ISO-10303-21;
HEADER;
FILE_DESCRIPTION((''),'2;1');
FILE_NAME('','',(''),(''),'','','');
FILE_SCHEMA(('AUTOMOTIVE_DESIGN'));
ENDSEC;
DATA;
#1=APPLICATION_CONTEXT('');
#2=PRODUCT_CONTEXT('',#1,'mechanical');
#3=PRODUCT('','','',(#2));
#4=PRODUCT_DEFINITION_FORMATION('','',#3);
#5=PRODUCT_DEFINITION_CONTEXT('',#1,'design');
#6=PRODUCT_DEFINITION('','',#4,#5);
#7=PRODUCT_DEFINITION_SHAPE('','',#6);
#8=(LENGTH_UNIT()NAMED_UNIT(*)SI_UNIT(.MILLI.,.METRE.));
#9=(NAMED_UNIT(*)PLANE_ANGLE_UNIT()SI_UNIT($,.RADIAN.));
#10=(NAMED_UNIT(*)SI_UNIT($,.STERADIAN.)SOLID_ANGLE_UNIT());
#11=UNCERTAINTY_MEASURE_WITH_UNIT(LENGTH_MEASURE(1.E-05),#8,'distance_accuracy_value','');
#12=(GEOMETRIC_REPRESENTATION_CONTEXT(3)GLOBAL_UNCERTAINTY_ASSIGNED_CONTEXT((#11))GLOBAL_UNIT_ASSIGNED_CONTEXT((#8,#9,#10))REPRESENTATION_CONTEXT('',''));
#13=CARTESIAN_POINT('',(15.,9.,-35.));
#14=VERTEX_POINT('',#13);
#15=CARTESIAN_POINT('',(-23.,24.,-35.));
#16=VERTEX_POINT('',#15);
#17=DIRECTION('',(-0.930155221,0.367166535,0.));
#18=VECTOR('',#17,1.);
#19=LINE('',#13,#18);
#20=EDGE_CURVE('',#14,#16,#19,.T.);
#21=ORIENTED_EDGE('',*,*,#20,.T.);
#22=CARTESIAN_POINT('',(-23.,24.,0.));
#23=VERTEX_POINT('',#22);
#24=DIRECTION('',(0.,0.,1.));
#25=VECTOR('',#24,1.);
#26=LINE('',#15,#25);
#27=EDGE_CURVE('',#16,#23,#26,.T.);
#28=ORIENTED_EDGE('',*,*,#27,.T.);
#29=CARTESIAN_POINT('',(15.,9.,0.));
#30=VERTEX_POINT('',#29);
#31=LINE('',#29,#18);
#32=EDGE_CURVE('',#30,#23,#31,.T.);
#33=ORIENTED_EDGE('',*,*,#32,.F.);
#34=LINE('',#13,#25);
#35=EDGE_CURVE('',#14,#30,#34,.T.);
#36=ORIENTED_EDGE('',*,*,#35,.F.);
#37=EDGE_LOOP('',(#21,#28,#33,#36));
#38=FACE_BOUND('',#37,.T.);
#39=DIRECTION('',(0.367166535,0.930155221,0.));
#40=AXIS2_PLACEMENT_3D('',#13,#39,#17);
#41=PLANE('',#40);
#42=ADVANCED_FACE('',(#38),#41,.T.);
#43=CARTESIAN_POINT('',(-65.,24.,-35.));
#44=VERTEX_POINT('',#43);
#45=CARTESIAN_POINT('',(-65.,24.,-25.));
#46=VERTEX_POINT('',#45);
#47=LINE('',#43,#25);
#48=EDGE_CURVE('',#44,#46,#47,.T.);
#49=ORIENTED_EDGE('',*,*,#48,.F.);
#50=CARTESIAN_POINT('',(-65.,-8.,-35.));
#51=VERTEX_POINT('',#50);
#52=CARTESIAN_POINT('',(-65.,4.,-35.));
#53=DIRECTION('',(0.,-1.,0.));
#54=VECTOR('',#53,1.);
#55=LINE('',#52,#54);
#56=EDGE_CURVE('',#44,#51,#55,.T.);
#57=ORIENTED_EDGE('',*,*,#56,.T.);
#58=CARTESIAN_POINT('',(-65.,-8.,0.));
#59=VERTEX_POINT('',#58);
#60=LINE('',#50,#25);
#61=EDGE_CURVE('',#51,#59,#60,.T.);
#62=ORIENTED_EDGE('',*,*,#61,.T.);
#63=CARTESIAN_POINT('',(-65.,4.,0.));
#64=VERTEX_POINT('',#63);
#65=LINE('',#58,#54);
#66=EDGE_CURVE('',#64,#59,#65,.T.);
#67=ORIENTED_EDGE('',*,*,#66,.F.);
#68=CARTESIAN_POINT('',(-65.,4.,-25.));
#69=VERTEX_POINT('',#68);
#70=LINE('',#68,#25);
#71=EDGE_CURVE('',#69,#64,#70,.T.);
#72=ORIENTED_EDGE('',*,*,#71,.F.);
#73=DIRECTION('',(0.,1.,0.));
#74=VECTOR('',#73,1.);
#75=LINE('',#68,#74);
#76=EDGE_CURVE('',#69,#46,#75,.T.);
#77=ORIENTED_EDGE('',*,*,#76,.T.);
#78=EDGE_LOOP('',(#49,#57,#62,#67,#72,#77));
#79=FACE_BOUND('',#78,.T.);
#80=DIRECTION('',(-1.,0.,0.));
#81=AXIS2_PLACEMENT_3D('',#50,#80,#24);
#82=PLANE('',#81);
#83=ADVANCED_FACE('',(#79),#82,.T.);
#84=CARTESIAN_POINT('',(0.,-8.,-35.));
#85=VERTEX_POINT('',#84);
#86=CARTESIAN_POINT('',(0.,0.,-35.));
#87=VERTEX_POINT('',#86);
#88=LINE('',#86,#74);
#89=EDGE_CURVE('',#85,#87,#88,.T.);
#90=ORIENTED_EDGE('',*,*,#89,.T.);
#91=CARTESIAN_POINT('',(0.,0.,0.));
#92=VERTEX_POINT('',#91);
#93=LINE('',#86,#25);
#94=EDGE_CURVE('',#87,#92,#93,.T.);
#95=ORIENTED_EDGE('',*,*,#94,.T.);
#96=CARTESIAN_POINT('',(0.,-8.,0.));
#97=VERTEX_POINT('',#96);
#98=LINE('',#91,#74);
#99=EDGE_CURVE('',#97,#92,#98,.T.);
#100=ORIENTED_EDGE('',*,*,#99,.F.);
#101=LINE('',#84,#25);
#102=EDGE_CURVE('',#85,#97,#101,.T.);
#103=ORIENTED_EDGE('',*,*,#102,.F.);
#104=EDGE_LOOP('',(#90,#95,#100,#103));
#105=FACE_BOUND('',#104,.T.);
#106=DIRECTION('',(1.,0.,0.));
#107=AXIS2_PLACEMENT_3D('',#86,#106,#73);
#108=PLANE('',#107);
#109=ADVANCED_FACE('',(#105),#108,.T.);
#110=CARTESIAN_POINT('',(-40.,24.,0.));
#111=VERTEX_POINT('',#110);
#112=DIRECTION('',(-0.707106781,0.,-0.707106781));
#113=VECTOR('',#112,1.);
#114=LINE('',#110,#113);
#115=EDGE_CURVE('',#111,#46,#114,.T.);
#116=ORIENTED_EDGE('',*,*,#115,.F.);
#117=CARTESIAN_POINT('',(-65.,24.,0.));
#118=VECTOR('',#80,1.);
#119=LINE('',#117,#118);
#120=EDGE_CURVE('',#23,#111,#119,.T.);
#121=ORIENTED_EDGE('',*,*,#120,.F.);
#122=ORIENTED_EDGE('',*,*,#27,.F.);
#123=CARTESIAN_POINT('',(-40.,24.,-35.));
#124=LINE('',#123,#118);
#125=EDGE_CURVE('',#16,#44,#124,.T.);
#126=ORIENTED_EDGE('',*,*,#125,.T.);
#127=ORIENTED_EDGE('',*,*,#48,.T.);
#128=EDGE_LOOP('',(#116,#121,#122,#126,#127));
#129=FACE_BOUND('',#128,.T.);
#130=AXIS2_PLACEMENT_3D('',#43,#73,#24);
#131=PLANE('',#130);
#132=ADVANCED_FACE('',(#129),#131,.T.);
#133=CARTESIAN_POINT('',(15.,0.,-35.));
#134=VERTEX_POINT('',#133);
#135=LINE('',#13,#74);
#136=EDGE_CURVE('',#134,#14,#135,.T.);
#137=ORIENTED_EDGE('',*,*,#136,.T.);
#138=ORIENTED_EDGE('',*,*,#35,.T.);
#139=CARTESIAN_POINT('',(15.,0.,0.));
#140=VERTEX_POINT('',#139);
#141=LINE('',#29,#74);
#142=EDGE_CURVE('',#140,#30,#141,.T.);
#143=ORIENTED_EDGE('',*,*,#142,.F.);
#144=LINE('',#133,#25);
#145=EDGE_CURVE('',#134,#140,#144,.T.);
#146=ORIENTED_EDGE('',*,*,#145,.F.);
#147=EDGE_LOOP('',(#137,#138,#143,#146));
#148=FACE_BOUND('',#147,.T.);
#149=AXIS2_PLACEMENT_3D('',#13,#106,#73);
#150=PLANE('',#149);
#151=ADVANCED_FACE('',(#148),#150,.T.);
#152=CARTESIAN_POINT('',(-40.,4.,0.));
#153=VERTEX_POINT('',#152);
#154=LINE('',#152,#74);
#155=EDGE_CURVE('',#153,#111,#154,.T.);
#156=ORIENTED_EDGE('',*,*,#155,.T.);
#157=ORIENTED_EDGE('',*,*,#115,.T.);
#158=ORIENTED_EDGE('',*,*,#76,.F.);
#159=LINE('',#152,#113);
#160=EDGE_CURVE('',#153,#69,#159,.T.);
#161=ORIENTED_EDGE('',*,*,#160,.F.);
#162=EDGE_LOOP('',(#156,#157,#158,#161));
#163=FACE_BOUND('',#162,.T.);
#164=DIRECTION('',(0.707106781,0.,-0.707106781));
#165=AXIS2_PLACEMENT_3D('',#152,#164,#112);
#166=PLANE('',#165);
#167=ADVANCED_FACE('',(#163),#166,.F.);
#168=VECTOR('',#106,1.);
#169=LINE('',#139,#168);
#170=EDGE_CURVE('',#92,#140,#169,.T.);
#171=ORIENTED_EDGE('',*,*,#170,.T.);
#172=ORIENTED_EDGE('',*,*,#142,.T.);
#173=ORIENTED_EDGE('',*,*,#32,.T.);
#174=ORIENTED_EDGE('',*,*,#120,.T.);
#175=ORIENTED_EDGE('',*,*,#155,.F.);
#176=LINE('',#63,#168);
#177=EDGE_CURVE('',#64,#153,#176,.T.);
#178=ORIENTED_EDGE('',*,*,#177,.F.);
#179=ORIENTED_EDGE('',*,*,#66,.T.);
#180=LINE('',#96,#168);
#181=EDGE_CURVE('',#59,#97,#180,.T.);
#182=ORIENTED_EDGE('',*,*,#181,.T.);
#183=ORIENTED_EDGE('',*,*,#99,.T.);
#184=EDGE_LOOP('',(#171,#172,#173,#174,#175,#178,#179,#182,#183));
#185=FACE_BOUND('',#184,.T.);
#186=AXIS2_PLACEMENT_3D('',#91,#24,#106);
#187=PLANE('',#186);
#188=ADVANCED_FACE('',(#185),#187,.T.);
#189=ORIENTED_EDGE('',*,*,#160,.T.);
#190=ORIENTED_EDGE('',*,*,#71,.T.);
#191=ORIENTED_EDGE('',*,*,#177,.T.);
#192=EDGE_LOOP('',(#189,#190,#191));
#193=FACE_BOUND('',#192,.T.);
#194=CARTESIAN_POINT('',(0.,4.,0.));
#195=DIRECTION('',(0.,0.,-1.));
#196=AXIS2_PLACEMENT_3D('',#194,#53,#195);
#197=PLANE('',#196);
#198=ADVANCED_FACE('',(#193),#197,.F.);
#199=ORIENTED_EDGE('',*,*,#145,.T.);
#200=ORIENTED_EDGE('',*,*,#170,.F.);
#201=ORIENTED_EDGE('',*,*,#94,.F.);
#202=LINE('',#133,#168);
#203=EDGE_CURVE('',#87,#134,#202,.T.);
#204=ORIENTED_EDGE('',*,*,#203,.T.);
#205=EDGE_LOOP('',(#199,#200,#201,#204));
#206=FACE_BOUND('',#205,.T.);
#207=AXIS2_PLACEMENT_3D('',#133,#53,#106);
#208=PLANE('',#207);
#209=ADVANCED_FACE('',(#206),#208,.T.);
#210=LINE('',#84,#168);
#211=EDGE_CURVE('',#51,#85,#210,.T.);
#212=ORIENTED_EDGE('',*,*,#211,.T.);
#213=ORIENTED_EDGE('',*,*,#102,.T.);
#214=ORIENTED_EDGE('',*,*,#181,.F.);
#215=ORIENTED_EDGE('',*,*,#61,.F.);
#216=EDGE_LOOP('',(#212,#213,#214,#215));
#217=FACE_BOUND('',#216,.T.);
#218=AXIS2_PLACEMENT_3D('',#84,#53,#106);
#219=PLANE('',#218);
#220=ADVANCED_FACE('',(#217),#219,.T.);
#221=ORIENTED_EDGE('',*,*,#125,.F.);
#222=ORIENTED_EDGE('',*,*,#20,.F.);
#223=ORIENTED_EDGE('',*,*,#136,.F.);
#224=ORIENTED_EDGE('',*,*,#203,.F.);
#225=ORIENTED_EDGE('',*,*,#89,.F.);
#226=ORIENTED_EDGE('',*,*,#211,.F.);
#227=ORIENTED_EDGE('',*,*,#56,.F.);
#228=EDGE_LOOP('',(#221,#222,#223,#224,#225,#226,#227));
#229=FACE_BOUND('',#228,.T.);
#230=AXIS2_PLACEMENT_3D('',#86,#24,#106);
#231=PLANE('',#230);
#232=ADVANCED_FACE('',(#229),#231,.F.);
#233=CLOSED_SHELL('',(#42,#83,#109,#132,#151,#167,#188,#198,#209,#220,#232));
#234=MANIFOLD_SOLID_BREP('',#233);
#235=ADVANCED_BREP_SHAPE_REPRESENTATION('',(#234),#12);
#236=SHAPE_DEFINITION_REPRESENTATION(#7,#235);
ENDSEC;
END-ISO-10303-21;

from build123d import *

# Parameters (mm, degrees)
BOSS_EXTRUDE1_DEPTH = 35
CUT_EXTRUDE1_DEPTH  = 20


with BuildPart() as part:
    # Sketch1 → Boss-Extrude1 (new body)
    with BuildSketch(Plane.XY):
        Polygon((0, 0), (0, -8), (-65, -8), (-65, 4), (-65, 24), (-40, 24), (-23, 24), (15, 9), (15, 0), align=None)
    extrude(amount=-BOSS_EXTRUDE1_DEPTH)

    # Sketch2 → Cut-Extrude1 (cut)
    with BuildSketch(Plane(origin=(0, 24, 0), x_dir=(1, 0, 0), z_dir=(0, 1, 0))):
        Polygon((-40, 0), (-65, 25), (-65, 0), align=None)
    extrude(amount=-CUT_EXTRUDE1_DEPTH, mode=Mode.SUBTRACT)


solid = part.part
